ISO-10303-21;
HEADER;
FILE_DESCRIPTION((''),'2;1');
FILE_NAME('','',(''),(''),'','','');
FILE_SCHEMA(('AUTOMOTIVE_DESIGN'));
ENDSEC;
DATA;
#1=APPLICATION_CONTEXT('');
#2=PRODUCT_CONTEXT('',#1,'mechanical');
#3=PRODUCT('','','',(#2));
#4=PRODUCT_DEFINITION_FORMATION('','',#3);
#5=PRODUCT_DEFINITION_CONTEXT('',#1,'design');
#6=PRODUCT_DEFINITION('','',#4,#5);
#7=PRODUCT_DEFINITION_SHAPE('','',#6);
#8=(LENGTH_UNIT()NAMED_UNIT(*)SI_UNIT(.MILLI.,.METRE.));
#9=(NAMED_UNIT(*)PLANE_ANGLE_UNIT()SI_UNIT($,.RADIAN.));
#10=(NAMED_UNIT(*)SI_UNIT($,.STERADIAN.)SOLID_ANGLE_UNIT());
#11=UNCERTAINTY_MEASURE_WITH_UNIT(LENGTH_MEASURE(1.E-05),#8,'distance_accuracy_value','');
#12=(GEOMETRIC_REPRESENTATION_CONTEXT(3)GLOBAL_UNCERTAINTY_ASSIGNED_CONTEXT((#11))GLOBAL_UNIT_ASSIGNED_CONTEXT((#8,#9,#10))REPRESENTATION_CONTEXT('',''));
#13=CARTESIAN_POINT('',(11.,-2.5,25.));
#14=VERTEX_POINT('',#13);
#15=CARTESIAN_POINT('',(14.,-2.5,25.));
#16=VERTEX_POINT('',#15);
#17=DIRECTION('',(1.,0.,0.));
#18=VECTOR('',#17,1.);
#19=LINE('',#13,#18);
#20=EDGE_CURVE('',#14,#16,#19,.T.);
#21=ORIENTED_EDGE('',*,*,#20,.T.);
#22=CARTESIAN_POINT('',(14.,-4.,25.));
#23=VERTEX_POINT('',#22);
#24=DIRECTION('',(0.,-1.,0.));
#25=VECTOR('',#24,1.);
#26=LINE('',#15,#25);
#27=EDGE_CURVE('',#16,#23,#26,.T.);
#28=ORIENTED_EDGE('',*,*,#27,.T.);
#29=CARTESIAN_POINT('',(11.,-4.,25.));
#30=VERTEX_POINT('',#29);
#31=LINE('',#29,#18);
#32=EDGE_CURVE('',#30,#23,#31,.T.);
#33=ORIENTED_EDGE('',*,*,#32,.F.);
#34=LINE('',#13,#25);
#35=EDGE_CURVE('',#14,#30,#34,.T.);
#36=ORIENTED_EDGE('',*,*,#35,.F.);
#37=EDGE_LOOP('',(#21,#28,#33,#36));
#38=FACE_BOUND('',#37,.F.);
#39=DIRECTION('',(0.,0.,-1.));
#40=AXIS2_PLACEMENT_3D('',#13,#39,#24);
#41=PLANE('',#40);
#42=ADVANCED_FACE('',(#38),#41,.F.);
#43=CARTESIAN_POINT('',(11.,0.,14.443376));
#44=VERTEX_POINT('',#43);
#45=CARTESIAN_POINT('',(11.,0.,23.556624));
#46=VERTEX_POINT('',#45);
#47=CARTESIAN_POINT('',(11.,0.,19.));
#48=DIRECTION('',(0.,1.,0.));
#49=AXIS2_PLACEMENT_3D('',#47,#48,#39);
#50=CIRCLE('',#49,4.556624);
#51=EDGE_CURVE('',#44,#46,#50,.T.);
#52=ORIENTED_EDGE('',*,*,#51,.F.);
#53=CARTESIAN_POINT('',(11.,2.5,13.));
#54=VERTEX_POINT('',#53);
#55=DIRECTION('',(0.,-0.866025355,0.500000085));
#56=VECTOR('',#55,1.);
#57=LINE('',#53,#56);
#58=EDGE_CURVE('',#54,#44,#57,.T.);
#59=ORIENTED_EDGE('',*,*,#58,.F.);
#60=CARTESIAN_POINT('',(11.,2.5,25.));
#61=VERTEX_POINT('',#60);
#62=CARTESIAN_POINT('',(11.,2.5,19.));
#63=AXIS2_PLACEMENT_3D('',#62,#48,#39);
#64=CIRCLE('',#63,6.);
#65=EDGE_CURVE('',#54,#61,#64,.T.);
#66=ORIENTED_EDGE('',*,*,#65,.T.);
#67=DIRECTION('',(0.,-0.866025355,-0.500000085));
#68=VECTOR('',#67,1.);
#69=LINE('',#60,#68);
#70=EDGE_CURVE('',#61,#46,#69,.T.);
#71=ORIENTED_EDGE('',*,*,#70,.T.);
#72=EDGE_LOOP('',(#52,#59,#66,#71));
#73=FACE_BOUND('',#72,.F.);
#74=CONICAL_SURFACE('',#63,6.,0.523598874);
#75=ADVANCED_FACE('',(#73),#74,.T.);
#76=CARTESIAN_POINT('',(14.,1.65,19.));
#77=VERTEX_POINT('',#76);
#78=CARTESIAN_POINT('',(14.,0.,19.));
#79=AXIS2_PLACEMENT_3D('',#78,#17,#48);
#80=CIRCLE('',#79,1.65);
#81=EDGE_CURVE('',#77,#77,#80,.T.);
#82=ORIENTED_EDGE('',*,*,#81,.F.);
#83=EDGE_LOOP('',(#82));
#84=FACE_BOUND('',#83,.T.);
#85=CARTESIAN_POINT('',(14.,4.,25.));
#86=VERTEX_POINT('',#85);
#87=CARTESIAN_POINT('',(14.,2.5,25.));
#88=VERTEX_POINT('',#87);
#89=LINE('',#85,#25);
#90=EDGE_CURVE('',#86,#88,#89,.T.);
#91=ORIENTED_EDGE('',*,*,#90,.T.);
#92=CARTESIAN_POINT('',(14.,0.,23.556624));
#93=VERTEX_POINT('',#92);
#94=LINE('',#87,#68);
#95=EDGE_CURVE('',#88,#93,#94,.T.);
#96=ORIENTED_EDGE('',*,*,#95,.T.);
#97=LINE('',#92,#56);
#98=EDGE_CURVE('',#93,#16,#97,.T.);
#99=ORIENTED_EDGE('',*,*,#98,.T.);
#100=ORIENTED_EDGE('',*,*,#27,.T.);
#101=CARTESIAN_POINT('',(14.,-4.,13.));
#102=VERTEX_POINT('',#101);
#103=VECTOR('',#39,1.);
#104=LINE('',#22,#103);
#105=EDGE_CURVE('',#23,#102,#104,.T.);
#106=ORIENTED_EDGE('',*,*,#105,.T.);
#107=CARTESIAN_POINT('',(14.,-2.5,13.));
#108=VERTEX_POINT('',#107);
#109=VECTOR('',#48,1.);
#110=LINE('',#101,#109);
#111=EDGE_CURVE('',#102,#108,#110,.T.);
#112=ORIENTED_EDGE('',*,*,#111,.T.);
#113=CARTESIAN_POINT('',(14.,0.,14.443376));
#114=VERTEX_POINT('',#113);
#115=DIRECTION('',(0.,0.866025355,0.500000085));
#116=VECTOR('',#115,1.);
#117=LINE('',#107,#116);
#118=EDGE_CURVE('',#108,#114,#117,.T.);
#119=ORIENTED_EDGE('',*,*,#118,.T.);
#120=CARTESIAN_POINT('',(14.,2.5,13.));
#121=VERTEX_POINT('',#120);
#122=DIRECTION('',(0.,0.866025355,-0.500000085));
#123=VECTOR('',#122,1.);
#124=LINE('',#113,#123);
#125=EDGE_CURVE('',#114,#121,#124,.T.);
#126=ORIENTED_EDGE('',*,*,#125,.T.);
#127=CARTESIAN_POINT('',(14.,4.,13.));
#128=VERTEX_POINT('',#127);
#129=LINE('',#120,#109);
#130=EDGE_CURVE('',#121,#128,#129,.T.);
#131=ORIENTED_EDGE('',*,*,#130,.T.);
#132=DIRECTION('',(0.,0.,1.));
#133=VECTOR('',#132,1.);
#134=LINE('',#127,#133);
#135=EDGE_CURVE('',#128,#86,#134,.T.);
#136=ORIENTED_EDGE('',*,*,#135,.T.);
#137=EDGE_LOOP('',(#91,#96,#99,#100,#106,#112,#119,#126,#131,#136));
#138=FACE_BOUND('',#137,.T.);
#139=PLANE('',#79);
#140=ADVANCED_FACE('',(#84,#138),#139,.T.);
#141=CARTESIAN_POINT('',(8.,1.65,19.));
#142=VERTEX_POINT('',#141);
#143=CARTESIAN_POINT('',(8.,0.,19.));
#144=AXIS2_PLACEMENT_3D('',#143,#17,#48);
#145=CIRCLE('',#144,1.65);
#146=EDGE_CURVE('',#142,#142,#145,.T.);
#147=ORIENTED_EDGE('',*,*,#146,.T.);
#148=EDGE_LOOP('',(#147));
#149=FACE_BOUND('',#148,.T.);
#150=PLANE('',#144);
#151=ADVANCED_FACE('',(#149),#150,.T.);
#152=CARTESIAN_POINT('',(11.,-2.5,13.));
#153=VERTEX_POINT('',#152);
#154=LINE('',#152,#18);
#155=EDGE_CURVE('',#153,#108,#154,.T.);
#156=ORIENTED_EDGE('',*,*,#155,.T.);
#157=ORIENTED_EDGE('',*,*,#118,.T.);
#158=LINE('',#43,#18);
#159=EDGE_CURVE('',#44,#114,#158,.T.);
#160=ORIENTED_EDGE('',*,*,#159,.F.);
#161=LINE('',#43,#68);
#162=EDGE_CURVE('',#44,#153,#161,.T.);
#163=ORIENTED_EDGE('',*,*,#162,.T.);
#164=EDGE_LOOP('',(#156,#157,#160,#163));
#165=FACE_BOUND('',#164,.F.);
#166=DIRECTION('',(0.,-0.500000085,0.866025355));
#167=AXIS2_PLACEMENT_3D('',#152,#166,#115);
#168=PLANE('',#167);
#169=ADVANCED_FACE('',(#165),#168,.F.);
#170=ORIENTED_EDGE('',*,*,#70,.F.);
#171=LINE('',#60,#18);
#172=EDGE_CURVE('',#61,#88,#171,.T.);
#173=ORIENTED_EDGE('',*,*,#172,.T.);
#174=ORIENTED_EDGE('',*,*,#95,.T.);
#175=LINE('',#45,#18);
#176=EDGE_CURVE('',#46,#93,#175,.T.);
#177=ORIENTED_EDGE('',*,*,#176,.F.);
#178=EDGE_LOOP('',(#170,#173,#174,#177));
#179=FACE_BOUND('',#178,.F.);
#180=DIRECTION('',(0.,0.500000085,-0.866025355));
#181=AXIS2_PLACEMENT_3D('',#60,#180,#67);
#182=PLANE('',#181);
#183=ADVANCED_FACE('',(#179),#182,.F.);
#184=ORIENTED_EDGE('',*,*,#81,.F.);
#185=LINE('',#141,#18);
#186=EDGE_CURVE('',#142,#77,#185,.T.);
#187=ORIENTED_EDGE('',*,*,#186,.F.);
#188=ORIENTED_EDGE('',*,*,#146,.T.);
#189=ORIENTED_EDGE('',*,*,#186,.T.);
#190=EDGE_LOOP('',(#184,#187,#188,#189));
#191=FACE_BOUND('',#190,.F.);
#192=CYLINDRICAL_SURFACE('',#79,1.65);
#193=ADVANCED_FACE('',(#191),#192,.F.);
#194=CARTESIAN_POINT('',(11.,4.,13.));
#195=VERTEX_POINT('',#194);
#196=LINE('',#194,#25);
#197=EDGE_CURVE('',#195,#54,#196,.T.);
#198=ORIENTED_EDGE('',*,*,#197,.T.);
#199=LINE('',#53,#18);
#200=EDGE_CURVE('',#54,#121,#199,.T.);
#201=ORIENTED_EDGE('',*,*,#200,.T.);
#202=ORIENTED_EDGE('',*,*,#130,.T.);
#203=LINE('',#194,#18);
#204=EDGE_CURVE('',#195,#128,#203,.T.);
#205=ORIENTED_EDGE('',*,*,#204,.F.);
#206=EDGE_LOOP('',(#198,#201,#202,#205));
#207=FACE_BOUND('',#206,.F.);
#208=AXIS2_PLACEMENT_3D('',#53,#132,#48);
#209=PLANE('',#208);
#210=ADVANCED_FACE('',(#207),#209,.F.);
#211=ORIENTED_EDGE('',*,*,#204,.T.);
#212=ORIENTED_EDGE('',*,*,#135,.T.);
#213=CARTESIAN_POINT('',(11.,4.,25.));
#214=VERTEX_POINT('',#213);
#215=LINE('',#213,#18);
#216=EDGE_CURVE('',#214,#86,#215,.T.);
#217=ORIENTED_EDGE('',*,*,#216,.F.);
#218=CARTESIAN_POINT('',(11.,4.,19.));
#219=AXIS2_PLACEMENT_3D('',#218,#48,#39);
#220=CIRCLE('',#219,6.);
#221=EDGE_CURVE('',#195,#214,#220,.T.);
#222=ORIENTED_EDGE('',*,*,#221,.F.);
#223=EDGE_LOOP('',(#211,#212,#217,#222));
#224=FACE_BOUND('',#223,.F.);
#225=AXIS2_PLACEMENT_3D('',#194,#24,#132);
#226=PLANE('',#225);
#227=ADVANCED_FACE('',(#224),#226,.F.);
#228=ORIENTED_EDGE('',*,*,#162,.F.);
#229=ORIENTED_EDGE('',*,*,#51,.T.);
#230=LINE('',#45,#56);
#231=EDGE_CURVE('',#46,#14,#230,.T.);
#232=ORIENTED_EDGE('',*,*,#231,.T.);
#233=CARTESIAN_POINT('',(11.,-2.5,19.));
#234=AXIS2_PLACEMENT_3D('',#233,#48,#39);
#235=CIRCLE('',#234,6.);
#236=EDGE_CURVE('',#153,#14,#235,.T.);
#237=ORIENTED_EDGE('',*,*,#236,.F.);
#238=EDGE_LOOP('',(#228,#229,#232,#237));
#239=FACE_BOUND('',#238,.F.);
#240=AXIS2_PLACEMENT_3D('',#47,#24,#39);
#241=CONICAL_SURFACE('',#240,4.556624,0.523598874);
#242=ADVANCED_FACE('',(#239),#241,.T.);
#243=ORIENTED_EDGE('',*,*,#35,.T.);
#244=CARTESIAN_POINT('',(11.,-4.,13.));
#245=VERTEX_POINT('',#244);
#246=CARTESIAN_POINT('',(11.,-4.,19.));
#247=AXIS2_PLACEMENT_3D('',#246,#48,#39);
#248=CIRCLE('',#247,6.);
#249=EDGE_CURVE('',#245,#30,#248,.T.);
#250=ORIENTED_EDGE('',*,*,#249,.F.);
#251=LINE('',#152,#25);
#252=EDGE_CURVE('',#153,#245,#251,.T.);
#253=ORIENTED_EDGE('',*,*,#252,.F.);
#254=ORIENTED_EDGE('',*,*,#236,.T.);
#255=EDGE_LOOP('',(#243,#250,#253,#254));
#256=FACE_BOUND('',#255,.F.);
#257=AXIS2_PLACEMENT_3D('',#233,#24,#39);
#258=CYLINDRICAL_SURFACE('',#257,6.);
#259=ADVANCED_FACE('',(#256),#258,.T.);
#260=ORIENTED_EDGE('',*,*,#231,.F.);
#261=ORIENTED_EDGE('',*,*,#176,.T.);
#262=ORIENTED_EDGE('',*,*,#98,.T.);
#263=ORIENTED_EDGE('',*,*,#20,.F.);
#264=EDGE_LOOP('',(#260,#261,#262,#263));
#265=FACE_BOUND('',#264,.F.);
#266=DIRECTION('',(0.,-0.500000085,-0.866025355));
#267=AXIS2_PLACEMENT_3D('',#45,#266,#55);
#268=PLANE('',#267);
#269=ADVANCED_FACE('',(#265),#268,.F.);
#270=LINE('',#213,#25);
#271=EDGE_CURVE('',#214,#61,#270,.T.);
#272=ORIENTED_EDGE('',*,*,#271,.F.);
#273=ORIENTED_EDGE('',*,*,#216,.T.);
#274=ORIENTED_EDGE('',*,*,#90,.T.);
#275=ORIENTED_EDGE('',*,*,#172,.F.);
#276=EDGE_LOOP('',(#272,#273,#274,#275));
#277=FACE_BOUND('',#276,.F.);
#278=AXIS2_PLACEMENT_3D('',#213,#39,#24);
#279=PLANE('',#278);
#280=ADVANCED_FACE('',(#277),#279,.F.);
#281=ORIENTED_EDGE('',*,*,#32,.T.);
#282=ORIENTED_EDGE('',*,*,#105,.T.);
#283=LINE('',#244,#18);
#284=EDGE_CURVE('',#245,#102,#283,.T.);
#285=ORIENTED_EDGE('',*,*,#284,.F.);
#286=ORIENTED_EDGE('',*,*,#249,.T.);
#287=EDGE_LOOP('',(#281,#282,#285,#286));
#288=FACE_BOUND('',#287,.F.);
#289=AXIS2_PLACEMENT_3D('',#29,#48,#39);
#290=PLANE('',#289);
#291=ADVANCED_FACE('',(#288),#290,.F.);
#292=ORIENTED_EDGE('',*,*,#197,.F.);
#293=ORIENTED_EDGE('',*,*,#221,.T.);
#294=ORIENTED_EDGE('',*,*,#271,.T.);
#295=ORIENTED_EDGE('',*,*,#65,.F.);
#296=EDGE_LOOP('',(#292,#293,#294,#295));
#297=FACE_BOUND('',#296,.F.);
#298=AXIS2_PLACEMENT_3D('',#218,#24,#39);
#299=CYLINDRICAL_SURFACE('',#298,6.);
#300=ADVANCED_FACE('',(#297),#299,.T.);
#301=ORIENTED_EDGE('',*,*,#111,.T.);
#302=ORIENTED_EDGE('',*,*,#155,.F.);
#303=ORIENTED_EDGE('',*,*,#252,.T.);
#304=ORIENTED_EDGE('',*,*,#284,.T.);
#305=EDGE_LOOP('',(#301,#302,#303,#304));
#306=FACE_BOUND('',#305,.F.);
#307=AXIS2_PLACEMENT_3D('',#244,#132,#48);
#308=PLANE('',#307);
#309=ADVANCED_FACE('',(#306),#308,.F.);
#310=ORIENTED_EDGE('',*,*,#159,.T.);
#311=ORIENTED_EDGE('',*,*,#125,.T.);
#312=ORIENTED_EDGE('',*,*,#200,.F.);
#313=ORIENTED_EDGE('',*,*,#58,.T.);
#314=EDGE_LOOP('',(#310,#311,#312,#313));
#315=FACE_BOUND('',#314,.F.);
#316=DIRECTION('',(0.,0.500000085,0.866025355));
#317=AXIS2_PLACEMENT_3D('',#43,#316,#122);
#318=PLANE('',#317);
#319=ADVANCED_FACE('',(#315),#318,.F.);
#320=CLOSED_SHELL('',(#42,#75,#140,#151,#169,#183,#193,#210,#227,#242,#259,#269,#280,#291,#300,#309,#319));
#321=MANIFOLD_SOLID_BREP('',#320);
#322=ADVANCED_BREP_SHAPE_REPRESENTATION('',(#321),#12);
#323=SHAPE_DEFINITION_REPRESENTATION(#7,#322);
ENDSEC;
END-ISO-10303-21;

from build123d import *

# Parameters (mm, degrees)
REVOLUTION002_ANGLE     = 180
SKETCH015_R             = 1.65
POCKET007_DEPTH         = 7
PAD006_DEPTH            = 3
SKETCH022_R             = 1.65
POCKET012_DEPTH         = 6
BODY004_PLACEMENT_ANGLE = 180


with BuildPart() as part:
    # Sketch014 → Revolution002 (revolve)
    with BuildSketch(Plane.YZ):
        Polygon((-4, 0), (4, 0), (4, 6), (2.5, 6), (0, 4.556624), (-2.5, 6), (-4, 6), align=None)
    revolve(axis=Axis((0, 0, 0), (0, 1, 0)), revolution_arc=REVOLUTION002_ANGLE)

    # Sketch015 → Pocket007 (cut)
    with BuildSketch(Plane(origin=(-5, 0, 0), x_dir=(0, 1, 0), z_dir=(-1, 0, 0))):
        Circle(SKETCH015_R)
    extrude(amount=-POCKET007_DEPTH, mode=Mode.SUBTRACT)

    # Revolution002 Face7 → Pad006 (add)
    with BuildSketch(Plane(origin=(0, 0, 0), x_dir=(0, 1, 0), z_dir=(-1, 0, 0))):
        Polygon((4, -6), (4, 6), (2.5, 6), (0, 4.556624), (-2.5, 6), (-4, 6), (-4, -6), (-2.5, -6), (0, -4.556624), (2.5, -6), align=None)
    extrude(amount=PAD006_DEPTH)

    # Sketch022 (on Face5 of Pad006) → Pocket012 (cut)
    with BuildSketch(Plane(origin=(-3, 0, 0), x_dir=(0, 1, 0), z_dir=(-1, 0, 0))):
        Circle(SKETCH022_R)
    extrude(amount=-POCKET012_DEPTH, mode=Mode.SUBTRACT)


with BuildPart() as part_1:
    # Body004 placement: moved
    add(part.part.moved(Location((11, 0, 19))).rotate(Axis((11, 0, 19), (0, 1, 0)), BODY004_PLACEMENT_ANGLE))


solid = part_1.part
